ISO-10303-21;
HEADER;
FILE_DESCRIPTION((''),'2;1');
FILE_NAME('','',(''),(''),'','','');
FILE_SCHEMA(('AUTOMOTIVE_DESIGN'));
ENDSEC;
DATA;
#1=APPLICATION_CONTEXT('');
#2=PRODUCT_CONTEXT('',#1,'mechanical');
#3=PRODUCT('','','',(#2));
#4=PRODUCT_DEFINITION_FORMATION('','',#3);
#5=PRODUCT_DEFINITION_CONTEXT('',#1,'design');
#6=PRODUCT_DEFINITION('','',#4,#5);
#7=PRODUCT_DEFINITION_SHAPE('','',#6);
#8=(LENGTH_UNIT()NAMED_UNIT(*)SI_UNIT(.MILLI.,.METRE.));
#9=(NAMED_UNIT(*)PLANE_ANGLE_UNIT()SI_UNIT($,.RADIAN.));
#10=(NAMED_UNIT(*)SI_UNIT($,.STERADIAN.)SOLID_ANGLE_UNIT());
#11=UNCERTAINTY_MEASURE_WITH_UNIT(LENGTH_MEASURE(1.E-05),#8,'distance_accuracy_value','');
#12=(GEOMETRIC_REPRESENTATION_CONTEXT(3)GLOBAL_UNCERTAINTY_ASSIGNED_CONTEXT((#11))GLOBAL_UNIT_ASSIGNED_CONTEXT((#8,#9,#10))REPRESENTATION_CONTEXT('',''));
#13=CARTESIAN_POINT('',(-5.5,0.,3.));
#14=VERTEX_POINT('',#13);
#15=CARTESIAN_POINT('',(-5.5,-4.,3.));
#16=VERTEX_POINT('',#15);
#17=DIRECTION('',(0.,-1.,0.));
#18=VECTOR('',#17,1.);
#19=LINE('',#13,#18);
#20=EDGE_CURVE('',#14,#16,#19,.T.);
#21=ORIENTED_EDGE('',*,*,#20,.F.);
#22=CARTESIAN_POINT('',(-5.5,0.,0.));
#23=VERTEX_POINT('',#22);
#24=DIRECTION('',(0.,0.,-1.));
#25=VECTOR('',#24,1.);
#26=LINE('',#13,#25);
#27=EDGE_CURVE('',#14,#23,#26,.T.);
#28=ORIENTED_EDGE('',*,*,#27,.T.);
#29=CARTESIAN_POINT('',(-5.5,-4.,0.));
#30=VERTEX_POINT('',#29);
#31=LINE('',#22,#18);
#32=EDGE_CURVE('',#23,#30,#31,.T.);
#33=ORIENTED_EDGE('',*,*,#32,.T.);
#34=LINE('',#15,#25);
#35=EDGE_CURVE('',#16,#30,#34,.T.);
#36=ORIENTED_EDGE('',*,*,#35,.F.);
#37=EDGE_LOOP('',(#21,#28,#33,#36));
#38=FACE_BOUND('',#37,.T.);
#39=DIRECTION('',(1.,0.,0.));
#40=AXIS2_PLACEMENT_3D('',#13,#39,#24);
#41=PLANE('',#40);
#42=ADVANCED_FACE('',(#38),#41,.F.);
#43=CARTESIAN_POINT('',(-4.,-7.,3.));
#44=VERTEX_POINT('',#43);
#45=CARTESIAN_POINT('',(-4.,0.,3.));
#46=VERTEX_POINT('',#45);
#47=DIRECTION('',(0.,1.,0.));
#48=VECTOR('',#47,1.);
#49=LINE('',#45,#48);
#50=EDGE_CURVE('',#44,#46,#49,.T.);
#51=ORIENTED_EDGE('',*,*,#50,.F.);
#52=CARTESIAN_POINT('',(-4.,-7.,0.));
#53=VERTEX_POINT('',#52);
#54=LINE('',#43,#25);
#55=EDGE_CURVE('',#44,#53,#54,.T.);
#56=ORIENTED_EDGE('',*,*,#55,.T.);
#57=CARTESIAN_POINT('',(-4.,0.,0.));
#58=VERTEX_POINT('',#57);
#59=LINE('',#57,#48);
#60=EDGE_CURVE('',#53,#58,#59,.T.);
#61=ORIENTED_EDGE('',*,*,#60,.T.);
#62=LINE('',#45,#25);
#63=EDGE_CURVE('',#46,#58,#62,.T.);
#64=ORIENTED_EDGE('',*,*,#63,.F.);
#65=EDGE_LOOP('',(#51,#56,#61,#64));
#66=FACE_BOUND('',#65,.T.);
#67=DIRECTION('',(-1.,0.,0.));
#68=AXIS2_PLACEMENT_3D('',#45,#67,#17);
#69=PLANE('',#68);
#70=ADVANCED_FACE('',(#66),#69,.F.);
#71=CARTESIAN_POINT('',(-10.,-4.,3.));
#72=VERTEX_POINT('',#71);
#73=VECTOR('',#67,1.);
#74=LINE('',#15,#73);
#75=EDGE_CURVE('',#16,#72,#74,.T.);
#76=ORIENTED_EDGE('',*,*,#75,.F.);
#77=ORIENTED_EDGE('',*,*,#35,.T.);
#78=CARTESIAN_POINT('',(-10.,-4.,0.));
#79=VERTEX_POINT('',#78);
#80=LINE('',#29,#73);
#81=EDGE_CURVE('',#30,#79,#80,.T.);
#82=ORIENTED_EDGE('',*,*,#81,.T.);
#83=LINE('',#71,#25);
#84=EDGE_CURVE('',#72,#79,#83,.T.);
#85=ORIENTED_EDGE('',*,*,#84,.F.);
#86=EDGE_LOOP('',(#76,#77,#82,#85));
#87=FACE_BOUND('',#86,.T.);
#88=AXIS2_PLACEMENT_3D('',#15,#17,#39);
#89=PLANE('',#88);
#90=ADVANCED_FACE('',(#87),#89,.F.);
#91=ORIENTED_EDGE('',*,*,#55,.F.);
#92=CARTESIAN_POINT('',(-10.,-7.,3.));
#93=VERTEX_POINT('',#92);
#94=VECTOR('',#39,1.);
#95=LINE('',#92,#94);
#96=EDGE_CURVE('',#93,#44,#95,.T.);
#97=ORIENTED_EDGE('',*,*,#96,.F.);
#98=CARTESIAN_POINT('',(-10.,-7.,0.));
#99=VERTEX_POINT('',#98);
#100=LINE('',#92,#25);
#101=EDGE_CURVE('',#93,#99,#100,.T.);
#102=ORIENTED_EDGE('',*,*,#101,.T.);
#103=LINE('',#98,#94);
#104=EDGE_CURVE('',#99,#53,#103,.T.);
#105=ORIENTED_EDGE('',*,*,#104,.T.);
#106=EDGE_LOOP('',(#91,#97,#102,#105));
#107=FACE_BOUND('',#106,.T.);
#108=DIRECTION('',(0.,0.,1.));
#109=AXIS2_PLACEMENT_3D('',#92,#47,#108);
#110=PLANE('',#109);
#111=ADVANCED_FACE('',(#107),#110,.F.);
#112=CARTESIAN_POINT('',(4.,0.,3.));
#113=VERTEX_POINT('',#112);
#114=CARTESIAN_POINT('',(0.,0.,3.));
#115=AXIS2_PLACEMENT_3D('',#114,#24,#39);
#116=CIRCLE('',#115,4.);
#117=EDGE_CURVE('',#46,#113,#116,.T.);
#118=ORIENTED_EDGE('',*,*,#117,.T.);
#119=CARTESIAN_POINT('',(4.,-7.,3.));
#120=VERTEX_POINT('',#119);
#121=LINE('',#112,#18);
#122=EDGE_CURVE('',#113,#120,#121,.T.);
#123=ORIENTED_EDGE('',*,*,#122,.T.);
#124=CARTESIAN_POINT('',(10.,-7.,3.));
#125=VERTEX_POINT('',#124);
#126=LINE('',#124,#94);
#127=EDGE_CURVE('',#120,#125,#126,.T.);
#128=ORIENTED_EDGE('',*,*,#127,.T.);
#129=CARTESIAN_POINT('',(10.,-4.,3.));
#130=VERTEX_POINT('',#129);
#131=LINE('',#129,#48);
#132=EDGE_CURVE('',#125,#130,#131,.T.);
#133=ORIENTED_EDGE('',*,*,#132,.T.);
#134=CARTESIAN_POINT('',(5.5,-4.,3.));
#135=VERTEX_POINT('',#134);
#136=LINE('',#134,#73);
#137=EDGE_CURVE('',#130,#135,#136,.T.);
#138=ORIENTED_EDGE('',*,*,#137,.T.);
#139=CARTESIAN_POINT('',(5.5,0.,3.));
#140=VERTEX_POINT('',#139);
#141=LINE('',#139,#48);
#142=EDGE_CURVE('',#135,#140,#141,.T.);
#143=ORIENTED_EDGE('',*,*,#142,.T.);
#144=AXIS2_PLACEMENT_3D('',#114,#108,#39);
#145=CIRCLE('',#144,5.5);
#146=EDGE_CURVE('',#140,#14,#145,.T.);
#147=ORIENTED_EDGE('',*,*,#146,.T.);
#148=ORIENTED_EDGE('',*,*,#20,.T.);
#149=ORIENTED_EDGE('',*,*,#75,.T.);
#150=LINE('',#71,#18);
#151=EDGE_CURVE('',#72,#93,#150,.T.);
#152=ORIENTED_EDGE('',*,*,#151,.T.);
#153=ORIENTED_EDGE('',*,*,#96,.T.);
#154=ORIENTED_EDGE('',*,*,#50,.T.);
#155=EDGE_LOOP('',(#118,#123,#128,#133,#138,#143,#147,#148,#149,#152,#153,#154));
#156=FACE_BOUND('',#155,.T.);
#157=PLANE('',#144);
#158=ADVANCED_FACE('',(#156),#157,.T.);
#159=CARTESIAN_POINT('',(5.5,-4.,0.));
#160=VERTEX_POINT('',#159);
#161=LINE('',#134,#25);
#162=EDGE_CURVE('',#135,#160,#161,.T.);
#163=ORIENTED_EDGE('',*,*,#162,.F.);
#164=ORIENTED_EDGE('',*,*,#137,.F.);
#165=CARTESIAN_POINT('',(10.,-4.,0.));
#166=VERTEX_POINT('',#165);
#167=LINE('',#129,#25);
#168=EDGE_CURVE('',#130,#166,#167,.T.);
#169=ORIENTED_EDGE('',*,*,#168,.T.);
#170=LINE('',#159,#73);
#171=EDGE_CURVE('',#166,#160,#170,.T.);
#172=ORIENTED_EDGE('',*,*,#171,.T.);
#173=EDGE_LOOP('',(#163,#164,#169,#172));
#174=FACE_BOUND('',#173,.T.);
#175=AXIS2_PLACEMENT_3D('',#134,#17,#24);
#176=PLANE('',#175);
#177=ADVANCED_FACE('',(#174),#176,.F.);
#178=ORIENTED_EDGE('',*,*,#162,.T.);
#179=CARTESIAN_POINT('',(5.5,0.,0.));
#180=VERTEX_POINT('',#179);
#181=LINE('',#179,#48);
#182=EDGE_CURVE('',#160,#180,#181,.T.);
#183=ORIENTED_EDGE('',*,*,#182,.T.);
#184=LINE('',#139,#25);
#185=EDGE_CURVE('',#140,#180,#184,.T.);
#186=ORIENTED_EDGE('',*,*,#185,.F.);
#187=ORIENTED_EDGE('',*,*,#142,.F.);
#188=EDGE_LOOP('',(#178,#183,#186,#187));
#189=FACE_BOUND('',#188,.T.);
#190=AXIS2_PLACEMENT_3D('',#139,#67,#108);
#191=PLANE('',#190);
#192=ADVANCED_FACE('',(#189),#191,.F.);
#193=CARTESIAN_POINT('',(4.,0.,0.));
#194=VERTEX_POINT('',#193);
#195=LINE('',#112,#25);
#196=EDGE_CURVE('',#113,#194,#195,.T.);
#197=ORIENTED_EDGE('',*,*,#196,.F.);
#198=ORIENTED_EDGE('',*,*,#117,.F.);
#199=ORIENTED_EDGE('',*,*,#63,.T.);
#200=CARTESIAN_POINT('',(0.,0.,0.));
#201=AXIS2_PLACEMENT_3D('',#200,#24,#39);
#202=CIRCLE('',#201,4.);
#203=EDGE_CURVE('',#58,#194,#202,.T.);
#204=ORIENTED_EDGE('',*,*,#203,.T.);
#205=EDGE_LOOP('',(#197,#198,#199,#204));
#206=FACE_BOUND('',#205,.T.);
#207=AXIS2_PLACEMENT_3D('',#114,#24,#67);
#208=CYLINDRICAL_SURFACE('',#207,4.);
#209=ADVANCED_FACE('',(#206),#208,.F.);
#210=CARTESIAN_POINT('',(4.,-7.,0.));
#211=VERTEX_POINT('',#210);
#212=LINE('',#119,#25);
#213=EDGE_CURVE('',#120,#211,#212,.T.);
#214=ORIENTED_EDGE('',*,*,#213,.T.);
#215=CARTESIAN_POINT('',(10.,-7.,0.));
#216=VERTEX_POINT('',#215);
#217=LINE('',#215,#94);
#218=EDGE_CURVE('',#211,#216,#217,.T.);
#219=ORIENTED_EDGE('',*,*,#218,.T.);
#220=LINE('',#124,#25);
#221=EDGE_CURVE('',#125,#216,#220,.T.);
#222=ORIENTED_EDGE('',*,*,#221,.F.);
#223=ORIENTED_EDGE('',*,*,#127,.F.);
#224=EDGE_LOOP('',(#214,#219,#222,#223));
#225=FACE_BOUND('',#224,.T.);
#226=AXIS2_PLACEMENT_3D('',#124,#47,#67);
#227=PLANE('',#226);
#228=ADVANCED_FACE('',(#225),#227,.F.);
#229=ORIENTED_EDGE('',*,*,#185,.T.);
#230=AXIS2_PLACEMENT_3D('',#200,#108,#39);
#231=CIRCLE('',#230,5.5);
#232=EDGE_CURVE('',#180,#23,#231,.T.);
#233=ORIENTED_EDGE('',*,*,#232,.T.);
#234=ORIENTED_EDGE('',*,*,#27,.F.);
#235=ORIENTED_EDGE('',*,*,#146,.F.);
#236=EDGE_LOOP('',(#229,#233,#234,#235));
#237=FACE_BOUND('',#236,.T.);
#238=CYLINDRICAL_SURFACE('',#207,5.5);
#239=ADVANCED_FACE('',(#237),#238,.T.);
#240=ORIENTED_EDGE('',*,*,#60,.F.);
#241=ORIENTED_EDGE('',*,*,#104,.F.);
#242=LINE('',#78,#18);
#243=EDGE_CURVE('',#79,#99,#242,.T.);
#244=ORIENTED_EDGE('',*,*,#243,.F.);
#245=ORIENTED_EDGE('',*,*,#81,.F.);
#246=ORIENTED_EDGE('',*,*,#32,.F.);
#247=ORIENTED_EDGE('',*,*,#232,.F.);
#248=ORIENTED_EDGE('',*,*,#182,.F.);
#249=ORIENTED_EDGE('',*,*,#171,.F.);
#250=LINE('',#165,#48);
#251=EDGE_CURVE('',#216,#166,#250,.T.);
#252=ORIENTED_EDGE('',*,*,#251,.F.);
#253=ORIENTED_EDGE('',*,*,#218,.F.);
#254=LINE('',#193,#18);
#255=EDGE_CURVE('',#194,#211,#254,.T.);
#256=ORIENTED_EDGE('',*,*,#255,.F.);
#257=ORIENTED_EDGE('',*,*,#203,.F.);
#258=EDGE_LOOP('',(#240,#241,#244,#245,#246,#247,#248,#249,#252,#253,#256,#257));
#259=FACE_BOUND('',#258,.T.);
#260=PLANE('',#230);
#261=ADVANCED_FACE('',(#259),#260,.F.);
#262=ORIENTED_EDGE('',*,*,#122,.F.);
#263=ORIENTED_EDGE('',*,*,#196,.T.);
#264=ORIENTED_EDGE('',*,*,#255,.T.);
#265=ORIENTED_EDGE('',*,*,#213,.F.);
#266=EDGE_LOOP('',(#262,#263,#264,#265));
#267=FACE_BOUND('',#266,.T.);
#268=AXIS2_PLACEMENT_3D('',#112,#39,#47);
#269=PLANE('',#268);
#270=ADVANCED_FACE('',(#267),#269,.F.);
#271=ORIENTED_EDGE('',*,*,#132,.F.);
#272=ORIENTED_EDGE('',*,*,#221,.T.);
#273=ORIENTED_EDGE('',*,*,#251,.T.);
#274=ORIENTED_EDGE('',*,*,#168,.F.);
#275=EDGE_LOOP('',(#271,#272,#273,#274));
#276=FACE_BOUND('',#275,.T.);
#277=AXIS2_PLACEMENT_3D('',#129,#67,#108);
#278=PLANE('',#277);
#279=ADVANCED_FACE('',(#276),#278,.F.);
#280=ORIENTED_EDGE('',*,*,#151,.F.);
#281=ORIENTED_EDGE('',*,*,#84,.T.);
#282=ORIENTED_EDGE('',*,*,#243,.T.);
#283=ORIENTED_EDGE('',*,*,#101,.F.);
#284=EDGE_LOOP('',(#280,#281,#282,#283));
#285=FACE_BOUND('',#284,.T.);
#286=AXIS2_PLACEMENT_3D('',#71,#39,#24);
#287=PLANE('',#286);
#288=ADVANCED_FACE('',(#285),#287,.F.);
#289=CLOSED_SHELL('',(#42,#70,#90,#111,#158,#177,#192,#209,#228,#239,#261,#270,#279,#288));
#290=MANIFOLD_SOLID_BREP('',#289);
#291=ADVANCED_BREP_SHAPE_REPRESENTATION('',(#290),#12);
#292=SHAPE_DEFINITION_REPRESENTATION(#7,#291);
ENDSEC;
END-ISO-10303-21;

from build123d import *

# Parameters (mm, degrees)
BOSS_EXTRUDE1_DEPTH = 3


with BuildPart() as part:
    # Sketch1 → Boss-Extrude1 (new body)
    with BuildSketch(Plane.XY):
        with BuildLine():
            Line((-4, 0), (-4, -7))
            Line((-4, -7), (-10, -7))
            Line((-10, -7), (-10, -4))
            Line((-10, -4), (-5.5, -4))
            Line((-5.5, -4), (-5.5, 0))
            ThreePointArc((-5.5, 0), (0, 5.5), (5.5, 0))
            Line((5.5, 0), (5.5, -4))
            Line((5.5, -4), (10, -4))
            Line((10, -4), (10, -7))
            Line((10, -7), (4, -7))
            Line((4, -7), (4, 0))
            ThreePointArc((4, 0), (0, 4), (-4, 0))
        make_face()
    extrude(amount=BOSS_EXTRUDE1_DEPTH)


solid = part.part
